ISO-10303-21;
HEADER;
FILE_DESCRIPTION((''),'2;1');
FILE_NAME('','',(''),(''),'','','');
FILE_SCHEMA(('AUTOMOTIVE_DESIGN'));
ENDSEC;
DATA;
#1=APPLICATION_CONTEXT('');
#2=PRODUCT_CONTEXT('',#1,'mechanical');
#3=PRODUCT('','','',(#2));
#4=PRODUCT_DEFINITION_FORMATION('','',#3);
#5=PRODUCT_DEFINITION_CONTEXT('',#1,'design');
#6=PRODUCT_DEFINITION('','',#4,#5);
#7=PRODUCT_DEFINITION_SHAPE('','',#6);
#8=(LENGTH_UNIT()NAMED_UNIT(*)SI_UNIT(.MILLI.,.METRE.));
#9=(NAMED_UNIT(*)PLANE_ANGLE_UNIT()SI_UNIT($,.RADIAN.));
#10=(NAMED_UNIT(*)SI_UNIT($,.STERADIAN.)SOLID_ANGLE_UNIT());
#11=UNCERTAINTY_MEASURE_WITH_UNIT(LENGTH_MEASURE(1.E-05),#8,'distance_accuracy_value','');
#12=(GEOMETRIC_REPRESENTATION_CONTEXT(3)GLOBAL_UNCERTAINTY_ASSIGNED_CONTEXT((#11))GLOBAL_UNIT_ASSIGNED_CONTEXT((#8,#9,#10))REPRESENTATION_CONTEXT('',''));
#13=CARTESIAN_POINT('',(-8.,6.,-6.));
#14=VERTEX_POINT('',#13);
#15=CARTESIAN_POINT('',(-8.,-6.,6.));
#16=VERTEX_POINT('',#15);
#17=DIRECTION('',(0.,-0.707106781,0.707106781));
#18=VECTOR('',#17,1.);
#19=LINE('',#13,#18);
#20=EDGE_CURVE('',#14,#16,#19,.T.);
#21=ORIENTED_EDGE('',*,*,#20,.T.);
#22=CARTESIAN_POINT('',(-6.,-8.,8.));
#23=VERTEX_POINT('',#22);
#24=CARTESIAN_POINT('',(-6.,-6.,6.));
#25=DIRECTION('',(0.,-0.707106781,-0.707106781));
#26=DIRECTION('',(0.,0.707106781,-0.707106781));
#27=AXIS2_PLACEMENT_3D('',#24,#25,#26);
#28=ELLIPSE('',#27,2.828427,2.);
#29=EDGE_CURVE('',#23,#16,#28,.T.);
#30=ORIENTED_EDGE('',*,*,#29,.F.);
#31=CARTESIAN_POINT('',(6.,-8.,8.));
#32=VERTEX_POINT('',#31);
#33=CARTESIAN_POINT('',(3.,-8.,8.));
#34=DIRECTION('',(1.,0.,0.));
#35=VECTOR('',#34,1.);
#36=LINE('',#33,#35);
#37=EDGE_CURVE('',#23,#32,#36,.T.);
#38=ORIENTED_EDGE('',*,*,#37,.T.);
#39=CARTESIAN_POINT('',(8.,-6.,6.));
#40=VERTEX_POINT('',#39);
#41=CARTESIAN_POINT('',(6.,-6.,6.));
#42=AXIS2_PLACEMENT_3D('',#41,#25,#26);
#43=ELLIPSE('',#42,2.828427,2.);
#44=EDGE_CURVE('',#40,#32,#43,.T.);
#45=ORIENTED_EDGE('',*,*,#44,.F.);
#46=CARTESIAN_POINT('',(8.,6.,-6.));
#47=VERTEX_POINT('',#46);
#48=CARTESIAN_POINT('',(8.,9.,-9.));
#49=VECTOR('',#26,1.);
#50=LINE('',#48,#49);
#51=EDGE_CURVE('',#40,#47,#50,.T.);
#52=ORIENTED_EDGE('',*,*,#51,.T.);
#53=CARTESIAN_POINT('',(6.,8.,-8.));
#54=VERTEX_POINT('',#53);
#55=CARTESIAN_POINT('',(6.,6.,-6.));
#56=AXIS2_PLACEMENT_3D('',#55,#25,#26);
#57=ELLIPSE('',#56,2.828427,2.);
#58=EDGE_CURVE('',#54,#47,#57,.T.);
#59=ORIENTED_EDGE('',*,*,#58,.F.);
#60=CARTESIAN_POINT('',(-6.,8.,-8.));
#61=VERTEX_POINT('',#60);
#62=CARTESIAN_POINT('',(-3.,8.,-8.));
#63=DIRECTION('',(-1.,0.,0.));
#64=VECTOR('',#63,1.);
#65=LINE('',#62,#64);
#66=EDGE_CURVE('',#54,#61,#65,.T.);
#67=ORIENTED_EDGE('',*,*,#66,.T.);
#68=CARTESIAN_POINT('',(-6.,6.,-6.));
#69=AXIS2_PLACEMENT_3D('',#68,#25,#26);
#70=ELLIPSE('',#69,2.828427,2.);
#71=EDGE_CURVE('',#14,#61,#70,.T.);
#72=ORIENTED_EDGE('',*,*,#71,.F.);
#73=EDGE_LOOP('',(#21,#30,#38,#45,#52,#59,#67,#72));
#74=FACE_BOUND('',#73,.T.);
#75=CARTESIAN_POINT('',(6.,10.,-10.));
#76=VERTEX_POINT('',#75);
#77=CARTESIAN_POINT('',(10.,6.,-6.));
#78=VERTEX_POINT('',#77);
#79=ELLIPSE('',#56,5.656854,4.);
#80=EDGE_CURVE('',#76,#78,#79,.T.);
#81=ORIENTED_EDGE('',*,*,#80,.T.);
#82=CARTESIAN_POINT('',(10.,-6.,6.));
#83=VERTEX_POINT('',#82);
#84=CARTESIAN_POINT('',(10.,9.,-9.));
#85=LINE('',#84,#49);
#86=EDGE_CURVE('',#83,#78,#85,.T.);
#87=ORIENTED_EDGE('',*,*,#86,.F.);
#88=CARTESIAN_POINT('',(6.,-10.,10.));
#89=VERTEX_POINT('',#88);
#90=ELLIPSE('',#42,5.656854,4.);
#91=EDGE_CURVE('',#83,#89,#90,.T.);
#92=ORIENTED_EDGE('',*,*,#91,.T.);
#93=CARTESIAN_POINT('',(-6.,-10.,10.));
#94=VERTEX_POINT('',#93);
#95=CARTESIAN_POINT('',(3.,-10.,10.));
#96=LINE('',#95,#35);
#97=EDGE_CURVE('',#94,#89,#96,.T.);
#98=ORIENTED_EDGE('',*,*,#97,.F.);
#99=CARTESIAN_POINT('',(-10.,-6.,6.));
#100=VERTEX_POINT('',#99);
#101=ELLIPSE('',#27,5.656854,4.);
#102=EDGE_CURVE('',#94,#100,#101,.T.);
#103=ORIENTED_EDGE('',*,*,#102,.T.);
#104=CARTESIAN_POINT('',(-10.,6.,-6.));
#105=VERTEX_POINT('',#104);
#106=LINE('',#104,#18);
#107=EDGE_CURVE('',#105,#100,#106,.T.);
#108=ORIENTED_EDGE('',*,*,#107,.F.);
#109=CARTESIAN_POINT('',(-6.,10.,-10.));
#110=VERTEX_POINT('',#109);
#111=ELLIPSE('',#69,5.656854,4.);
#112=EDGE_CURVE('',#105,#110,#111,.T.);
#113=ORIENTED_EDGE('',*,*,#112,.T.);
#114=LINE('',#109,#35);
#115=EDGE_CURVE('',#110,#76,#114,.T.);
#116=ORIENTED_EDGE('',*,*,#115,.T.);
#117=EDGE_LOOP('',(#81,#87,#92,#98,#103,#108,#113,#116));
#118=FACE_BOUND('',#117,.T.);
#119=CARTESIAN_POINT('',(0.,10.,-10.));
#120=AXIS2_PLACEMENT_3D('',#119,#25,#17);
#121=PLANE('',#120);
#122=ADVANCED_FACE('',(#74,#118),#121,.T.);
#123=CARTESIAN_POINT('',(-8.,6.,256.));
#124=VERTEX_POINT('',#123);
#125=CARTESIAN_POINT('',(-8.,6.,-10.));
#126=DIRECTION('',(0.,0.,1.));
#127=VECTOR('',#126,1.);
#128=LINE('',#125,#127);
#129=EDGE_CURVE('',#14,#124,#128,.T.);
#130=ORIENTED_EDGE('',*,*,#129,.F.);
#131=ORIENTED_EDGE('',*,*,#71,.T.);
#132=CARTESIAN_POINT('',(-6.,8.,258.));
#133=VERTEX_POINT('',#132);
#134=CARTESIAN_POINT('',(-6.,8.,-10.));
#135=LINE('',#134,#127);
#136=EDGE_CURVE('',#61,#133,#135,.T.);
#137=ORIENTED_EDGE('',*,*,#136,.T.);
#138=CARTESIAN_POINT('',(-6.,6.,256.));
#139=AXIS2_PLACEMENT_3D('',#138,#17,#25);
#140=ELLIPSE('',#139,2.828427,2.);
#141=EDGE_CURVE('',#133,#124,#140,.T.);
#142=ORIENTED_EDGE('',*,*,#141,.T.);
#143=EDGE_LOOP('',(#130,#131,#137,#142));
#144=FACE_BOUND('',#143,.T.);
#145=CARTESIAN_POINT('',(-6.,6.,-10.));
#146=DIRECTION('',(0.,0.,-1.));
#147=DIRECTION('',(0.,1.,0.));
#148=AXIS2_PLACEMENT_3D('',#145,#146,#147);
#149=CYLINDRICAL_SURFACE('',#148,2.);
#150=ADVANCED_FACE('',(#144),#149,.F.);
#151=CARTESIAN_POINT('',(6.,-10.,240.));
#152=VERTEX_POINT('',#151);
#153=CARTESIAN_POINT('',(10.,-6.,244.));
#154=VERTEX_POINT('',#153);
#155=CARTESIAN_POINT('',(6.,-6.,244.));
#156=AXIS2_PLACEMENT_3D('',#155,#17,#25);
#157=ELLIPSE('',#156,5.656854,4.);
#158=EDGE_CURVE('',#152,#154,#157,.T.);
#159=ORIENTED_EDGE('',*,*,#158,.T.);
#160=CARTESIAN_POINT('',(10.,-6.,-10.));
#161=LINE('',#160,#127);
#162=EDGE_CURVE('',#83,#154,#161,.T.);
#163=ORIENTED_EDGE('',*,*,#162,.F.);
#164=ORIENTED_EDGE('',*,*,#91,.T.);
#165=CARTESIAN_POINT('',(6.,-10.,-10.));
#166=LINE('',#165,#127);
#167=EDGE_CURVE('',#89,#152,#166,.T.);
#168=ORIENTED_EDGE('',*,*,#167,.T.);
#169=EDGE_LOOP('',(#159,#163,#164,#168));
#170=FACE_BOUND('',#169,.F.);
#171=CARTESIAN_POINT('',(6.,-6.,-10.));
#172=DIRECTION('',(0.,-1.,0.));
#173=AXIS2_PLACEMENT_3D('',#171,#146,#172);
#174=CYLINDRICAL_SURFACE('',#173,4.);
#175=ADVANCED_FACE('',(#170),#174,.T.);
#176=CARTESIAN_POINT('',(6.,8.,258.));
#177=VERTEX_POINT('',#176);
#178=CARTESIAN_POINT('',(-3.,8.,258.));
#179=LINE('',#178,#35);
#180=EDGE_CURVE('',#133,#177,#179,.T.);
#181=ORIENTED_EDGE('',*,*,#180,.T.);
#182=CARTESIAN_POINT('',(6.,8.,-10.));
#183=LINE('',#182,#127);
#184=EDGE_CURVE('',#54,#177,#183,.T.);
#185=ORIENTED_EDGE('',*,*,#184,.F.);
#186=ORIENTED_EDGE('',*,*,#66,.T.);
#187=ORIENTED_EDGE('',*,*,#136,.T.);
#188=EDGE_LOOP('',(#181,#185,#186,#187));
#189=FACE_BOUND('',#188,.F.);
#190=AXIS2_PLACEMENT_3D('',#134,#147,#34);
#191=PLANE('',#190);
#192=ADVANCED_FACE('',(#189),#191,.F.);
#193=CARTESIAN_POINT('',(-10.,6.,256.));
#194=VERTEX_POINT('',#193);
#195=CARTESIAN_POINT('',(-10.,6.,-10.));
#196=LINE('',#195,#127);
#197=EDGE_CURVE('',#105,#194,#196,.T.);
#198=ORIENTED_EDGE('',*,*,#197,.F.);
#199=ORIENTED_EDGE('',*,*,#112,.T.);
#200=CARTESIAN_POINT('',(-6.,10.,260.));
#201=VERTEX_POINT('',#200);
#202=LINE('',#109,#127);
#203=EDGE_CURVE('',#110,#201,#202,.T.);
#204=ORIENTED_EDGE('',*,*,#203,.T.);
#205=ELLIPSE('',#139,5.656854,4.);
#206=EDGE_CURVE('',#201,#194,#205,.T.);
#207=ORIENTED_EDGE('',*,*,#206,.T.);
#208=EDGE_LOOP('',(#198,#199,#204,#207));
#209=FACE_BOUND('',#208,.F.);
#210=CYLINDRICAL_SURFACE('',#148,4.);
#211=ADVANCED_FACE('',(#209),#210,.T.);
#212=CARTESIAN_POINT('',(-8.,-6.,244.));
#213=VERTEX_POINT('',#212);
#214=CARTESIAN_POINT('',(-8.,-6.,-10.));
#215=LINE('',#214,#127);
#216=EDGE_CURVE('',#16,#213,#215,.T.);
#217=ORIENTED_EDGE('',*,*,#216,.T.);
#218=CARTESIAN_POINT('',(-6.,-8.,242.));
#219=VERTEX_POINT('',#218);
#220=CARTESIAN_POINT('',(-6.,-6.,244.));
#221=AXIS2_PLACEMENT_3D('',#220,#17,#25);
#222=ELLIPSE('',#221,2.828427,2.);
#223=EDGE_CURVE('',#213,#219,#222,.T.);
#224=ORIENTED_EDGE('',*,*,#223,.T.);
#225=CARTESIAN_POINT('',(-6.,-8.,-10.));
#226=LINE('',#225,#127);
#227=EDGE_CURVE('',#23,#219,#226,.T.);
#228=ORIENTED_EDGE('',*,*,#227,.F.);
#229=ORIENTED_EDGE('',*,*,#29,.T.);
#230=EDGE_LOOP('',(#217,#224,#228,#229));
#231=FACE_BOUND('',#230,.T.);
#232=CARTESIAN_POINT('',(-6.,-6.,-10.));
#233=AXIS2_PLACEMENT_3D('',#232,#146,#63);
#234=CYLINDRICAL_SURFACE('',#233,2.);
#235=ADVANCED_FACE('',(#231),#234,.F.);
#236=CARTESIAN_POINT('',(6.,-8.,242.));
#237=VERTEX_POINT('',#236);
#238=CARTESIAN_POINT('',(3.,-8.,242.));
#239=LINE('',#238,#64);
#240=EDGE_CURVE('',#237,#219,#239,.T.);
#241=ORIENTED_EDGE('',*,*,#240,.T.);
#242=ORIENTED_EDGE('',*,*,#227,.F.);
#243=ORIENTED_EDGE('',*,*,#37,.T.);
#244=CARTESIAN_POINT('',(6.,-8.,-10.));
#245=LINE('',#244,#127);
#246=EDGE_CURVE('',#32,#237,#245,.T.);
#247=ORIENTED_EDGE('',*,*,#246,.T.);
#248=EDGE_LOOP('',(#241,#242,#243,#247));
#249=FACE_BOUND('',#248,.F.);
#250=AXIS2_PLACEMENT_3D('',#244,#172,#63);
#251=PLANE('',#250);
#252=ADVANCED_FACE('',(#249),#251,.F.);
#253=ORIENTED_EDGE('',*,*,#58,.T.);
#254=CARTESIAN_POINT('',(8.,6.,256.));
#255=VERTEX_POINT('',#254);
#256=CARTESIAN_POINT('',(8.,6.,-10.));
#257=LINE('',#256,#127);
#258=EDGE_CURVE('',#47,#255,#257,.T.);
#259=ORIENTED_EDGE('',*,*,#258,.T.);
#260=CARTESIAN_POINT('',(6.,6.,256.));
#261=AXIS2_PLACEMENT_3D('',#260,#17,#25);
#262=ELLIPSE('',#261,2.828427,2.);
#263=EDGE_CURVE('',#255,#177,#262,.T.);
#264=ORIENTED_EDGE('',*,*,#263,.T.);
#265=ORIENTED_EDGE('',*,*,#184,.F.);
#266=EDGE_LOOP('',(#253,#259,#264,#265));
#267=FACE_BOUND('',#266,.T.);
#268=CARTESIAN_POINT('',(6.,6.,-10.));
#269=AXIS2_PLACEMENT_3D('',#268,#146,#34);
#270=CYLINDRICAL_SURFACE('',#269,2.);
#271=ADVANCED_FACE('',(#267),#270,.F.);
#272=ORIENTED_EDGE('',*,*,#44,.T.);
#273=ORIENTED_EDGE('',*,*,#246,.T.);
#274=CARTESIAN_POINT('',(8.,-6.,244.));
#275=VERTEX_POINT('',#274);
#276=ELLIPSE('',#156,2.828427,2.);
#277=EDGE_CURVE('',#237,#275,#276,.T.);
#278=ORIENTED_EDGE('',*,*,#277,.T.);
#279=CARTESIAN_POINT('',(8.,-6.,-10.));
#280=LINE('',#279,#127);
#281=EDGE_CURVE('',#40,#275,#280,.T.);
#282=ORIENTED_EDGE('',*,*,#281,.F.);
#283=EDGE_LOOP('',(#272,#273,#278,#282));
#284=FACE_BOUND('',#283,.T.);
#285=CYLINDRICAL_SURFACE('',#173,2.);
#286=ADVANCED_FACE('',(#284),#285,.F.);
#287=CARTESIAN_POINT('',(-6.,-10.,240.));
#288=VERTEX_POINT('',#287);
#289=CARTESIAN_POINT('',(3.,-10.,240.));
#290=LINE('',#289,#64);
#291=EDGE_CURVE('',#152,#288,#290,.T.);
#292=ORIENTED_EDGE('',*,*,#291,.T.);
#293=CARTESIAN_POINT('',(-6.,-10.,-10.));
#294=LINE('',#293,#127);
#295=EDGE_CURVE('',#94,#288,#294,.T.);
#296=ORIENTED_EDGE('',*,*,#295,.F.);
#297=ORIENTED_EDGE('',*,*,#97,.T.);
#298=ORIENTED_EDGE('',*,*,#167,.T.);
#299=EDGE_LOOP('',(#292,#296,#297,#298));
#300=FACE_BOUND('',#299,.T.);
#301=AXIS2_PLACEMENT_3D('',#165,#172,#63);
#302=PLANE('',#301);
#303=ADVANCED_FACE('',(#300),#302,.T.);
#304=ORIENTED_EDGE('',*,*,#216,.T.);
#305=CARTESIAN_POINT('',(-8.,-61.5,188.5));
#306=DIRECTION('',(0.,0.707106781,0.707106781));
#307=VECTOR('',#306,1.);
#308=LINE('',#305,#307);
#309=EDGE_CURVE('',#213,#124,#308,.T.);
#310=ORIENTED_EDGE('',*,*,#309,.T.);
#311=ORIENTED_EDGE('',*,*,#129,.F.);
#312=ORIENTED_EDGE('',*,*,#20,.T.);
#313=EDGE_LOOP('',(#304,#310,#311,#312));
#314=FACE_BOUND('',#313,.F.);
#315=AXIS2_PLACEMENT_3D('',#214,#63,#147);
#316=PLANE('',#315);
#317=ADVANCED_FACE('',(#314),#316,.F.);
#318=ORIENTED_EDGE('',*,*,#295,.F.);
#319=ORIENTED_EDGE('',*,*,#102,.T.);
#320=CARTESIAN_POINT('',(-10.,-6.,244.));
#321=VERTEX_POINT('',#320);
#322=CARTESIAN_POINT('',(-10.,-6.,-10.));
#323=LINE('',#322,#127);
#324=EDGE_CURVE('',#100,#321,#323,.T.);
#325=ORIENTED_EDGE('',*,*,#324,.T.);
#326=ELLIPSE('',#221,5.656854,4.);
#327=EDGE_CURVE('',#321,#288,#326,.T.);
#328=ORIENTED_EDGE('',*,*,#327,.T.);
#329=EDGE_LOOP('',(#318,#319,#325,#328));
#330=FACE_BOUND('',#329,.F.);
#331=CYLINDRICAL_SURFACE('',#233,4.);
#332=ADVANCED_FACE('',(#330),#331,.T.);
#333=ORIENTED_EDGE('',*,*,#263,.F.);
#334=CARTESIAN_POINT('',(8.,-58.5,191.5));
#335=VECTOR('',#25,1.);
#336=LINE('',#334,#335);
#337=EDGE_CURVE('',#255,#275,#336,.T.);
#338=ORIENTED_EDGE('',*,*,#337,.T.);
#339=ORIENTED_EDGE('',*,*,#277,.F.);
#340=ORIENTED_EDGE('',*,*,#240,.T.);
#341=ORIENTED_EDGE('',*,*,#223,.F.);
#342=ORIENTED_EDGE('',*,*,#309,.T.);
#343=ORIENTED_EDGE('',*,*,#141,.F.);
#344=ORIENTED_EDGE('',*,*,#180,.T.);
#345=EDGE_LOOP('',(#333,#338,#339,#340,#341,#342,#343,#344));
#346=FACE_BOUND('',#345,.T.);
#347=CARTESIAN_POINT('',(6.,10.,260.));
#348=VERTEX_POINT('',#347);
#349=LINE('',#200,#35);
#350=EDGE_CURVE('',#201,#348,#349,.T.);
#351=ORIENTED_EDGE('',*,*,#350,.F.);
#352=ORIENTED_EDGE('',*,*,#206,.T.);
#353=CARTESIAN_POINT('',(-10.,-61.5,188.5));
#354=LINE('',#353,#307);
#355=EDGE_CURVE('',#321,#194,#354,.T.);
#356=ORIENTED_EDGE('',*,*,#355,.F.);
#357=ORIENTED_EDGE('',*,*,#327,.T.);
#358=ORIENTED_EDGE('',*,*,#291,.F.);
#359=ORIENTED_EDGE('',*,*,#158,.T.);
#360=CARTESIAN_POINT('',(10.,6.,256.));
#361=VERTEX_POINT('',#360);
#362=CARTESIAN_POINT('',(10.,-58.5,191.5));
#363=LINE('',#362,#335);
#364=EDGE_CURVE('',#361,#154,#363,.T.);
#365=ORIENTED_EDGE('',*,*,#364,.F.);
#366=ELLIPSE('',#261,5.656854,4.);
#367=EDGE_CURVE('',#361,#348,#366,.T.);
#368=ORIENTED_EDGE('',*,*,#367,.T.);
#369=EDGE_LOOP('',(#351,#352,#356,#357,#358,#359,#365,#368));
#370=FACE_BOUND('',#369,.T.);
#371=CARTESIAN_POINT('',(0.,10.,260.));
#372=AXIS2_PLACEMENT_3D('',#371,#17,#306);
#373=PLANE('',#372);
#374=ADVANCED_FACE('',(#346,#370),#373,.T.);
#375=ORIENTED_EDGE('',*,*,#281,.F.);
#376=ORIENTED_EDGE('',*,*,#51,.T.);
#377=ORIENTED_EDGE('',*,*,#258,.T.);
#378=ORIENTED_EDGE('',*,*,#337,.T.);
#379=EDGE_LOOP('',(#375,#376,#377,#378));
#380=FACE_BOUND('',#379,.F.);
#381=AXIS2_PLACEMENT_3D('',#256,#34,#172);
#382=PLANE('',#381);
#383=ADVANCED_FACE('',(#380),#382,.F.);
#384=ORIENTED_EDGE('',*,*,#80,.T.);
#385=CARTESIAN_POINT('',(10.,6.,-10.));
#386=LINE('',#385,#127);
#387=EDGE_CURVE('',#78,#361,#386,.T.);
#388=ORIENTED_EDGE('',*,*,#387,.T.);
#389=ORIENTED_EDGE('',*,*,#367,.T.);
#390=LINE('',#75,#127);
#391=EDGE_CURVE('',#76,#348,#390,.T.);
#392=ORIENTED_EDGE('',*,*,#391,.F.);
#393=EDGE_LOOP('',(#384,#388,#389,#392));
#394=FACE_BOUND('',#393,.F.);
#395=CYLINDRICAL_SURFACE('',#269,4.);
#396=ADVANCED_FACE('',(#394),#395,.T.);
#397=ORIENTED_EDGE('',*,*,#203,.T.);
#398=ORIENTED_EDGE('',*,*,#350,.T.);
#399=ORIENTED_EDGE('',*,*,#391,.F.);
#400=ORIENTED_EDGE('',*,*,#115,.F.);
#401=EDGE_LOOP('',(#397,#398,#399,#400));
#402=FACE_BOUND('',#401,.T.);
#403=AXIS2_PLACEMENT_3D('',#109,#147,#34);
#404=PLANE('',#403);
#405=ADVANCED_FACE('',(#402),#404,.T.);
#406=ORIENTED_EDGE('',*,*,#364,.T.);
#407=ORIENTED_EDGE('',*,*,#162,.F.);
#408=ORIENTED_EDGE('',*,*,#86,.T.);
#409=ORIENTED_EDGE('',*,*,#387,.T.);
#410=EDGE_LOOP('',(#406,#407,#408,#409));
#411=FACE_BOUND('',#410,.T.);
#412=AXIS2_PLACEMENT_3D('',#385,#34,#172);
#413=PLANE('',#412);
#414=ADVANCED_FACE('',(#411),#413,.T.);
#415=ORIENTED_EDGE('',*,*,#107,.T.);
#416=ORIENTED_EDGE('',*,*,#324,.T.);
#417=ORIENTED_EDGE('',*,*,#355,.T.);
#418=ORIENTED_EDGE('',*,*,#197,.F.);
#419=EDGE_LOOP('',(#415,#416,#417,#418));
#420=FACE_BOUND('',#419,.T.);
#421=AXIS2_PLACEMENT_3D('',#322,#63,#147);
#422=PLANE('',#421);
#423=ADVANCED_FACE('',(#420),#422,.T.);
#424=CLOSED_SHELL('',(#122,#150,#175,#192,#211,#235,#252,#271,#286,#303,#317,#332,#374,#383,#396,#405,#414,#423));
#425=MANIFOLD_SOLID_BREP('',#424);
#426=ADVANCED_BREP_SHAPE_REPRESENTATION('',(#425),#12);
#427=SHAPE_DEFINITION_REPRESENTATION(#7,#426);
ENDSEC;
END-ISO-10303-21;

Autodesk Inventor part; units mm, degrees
ref_plane "Start Plane" through (0, 0, -10) normal (0, 0, 1) x (1, 0, 0)
ref_plane "End Plane" through (0, 0, 260) normal (0, 0, 1) x (1, 0, 0)
sketch "Sketch" plane through (0, 0, 0) normal (0, 0, 1) x (1, 0, 0)
  line L0 (-10, -6) -> (-10, 6)
  line L1 (-6, 10) -> (6, 10)
  line L2 (10, 6) -> (10, -6)
  line L3 (6, -10) -> (-6, -10)
  arc A0 (-10, -6) -> (-6, -10) centre (-6, -6) ccw
  arc A1 (10, 6) -> (6, 10) centre (6, 6) ccw
  arc A2 (-6, 10) -> (-10, 6) centre (-6, 6) ccw
  arc A3 (6, -10) -> (10, -6) centre (6, -6) ccw
  arc A4 (-6, 8) -> (-8, 6) centre (-6, 6) ccw
  line L4 (-6, 8) -> (6, 8)
  arc A5 (8, 6) -> (6, 8) centre (6, 6) ccw
  line L5 (8, 6) -> (8, -6)
  arc A6 (6, -8) -> (8, -6) centre (6, -6) ccw
  line L6 (6, -8) -> (-6, -8)
  arc A7 (-8, -6) -> (-6, -8) centre (-6, -6) ccw
  line L7 (-8, -6) -> (-8, 6)
  line L8 (0, 15.1598) -> (0, -15.1598) construction
  line L9 (-15.1598, 0) -> (15.1598, 0) construction
  dimension "d7" = 4
  dimension "d9" = 20
  dimension "d11" = 20
  dimension "d12" = 2
  dimension "d15" = 10
  dimension "d16" = 10
extrude "Body" add sketch "Sketch" along normal up to surface (270 mm away) from surface at -10
sketch "Sketch3" plane through (0, 0, 0) normal (0, 0, 1) x (1, 0, 0)
  line L0 (0, 0) -> (10, 0)
ref_plane "Work Plane3" through (0, 0, 0) normal (0, -1, 0) x (1, 0, 0)
ref_plane "Work Plane4" through (0, 10, -10) normal (0, -0.7071, -0.7071) x (1, 0, 0)
split "Split1" plane through (0, 10, -10) removes the side toward (0, -0.7071, -0.7071)
ref_plane "Work Plane5" through (0, 10, 260) normal (0, -0.7071, 0.7071) x (1, 0, 0)
split "Split2" plane through (0, 10, 260) removes the side toward (0, -0.7071, 0.7071)
sketch "Sketch4" plane through (0, 0, 0) normal (0, -1, 0) x (1, 0, 0)
  line L0 (-2, -10) -> (12, -10) projected
  line L1 (-2, 260) -> (12, 260) projected
  dimension "d18" = 270
equation "\"d7\" = G_IR"
equation "\"d9\" = G_W"
equation "\"d11\" = G_H"
equation "\"d12\" = G_T"
equation "\"d15\" = 0.5 * d9"
equation "\"d16\" = 0.5 * d11"
equation "\"d3\" = G_L"
equation "\"G_W\" = 20"
equation "\"G_H\" = 20"
equation "\"G_T\" = 2"
equation "\"G_IR\" = 4"
equation "\"G_L\" = d18"
properties part number "ISO 10799-2 - 20x20x2 - 270" material "Steel"
